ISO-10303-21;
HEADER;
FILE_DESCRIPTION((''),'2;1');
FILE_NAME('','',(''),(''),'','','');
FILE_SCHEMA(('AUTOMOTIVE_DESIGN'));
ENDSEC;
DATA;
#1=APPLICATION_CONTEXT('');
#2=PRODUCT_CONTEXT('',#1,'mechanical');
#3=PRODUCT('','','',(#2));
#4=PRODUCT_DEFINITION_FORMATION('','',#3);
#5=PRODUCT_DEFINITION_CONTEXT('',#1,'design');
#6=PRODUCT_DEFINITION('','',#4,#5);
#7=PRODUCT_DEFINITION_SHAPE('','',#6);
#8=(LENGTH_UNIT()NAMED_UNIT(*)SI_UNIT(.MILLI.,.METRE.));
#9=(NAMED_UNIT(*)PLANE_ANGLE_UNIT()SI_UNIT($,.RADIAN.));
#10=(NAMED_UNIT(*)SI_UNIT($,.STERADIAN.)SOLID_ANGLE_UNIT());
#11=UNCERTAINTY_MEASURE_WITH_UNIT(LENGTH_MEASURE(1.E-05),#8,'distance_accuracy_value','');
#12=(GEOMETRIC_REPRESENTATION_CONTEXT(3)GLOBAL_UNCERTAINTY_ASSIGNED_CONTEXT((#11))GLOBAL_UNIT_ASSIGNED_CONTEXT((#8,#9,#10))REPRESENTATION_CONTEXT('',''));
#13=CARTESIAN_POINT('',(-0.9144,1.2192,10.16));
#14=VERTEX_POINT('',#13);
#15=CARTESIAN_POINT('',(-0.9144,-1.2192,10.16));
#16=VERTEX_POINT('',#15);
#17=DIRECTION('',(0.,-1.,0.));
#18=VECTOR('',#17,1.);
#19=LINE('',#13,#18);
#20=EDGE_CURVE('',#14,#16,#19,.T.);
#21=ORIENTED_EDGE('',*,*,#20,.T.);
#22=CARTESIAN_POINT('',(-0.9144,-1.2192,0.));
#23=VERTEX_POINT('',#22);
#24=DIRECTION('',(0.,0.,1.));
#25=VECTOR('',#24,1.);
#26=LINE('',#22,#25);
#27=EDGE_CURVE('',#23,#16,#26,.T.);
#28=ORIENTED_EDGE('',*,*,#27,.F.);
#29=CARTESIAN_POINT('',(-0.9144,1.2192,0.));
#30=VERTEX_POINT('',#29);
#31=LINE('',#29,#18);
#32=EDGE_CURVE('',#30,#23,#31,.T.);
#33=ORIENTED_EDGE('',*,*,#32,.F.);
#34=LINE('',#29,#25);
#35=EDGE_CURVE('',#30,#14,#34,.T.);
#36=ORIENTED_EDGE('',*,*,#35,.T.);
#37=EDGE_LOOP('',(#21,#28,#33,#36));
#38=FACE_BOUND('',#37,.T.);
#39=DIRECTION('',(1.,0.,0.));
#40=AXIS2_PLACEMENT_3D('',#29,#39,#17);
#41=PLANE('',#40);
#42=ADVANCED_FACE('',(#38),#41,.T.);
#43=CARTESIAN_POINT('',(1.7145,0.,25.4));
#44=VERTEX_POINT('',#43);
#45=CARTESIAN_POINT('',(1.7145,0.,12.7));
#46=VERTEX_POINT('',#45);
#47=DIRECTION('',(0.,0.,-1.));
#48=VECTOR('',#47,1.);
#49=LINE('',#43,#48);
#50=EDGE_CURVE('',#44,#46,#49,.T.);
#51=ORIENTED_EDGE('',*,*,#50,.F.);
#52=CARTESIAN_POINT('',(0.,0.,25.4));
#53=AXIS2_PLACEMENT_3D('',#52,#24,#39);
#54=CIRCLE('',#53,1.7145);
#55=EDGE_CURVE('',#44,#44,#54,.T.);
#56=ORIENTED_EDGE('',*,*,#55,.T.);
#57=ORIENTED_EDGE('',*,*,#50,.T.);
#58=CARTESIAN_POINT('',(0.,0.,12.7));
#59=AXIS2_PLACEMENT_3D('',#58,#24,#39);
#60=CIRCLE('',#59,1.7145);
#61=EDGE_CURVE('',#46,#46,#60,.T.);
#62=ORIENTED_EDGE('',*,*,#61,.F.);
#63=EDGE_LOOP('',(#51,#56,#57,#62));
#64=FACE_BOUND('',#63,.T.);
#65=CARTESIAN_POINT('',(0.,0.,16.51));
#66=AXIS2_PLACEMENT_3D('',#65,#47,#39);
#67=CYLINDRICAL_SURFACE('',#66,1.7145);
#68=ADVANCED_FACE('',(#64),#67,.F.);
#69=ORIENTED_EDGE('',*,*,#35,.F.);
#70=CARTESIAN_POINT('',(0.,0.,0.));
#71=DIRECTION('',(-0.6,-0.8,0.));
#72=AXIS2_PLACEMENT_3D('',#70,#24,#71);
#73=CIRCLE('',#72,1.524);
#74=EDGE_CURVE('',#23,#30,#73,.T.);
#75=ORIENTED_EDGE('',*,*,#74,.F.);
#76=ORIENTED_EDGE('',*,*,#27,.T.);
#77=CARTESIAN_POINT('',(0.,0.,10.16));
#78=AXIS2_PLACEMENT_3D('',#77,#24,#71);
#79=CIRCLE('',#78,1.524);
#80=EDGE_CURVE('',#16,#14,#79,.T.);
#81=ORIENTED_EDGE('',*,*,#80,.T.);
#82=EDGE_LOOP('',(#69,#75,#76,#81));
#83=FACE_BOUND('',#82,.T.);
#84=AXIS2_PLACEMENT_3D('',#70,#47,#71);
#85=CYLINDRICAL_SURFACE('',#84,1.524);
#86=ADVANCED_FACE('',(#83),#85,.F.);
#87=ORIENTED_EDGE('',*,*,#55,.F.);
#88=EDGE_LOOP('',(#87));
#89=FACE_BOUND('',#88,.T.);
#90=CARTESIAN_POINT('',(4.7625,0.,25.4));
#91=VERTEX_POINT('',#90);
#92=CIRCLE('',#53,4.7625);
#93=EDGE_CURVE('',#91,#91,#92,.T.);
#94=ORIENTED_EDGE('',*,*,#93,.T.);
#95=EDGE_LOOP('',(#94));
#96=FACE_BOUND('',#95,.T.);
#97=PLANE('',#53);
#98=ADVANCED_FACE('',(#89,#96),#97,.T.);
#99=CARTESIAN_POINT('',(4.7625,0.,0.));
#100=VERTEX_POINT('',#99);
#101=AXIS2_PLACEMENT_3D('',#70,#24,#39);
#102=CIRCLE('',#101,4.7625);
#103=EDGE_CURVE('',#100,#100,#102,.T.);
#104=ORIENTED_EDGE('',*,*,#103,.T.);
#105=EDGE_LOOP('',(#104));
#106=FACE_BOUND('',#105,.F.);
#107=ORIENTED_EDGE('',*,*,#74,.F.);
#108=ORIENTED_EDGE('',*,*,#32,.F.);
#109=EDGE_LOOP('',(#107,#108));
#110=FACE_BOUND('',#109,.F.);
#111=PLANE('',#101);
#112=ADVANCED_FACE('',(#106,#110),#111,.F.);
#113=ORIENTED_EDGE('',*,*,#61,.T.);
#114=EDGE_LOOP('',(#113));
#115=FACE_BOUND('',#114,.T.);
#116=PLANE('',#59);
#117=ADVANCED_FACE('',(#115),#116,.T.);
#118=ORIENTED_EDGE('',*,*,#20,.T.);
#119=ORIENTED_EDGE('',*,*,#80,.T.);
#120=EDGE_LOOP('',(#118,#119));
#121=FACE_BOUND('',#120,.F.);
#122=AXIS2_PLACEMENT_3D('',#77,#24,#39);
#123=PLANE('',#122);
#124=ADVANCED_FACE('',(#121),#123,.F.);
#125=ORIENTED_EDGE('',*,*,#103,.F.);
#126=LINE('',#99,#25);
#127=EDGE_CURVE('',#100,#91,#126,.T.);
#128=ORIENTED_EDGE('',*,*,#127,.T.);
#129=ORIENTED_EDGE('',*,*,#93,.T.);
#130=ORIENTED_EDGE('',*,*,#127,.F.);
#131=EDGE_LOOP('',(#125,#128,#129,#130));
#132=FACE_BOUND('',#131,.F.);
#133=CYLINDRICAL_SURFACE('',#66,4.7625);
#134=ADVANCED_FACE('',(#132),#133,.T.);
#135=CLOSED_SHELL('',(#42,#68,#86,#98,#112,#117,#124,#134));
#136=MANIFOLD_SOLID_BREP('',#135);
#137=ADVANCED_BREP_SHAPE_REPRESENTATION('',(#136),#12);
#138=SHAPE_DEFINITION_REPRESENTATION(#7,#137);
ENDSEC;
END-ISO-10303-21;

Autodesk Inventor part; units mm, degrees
ref_plane "YZ Plane" through (0, 0, 0) normal (1, 0, 0) x (0, 1, 0)
ref_plane "XZ Plane" through (0, 0, 0) normal (0, 1, 0) x (-1, 0, 0)
ref_plane "XY Plane" through (0, 0, 0) normal (0, 0, 1) x (1, 0, 0)
sketch "Sketch1" plane through (0, 0, 0) normal (0, 0, 1) x (1, 0, 0)
  arc A0 (-0.9144, -1.2192) -> (-0.9144, 1.2192) centre (0, 0) ccw
  line L0 (-0.9144, 1.2192) -> (-0.9144, -1.2192)
  circle A1 centre (0, 0) radius 4.7625
  point P0 (-0.889, 0)
  point P1 (1.524, 0)
  dimension "d0" = 3.048
  dimension "d2" = 2.413
  dimension "d3" = 9.525
extrude "Extrusion1" add sketch "Sketch1" along normal blind 10.16
sketch "Sketch2" plane through (0, 0, 10.16) normal (0, 0, 1) x (1, 0, 0)
  circle A0 centre (0, 0) radius 4.7625 projected
extrude "Extrusion2" add sketch "Sketch2" along normal blind 6.35
sketch "Sketch3" plane through (0, 0, 16.51) normal (0, 0, 1) x (1, 0, 0)
  circle A0 centre (0, 0) radius 4.7625 projected
  circle A1 centre (0, 0) radius 1.7145
  dimension "d8" = 3.429
extrude "Extrusion3" add sketch "Sketch3" along normal blind 12.7
sketch "Sketch4" plane through (0, 0, 29.21) normal (0, 0, 1) x (1, 0, 0)
  circle A0 centre (0, 0) radius 1.7145 projected
  circle A1 centre (0, 0) radius 4.7625 projected
extrude "Extrusion4" cut sketch "Sketch4" against normal blind 3.81
sketch "Sketch5" plane through (0, 0, 16.51) normal (0, 0, 1) x (1, 0, 0)
  circle A0 centre (0, 0) radius 1.7145 projected
extrude "Extrusion5" cut sketch "Sketch5" against normal blind 3.81
properties part number "Coupling Bushing" material "ABS Plastic"
